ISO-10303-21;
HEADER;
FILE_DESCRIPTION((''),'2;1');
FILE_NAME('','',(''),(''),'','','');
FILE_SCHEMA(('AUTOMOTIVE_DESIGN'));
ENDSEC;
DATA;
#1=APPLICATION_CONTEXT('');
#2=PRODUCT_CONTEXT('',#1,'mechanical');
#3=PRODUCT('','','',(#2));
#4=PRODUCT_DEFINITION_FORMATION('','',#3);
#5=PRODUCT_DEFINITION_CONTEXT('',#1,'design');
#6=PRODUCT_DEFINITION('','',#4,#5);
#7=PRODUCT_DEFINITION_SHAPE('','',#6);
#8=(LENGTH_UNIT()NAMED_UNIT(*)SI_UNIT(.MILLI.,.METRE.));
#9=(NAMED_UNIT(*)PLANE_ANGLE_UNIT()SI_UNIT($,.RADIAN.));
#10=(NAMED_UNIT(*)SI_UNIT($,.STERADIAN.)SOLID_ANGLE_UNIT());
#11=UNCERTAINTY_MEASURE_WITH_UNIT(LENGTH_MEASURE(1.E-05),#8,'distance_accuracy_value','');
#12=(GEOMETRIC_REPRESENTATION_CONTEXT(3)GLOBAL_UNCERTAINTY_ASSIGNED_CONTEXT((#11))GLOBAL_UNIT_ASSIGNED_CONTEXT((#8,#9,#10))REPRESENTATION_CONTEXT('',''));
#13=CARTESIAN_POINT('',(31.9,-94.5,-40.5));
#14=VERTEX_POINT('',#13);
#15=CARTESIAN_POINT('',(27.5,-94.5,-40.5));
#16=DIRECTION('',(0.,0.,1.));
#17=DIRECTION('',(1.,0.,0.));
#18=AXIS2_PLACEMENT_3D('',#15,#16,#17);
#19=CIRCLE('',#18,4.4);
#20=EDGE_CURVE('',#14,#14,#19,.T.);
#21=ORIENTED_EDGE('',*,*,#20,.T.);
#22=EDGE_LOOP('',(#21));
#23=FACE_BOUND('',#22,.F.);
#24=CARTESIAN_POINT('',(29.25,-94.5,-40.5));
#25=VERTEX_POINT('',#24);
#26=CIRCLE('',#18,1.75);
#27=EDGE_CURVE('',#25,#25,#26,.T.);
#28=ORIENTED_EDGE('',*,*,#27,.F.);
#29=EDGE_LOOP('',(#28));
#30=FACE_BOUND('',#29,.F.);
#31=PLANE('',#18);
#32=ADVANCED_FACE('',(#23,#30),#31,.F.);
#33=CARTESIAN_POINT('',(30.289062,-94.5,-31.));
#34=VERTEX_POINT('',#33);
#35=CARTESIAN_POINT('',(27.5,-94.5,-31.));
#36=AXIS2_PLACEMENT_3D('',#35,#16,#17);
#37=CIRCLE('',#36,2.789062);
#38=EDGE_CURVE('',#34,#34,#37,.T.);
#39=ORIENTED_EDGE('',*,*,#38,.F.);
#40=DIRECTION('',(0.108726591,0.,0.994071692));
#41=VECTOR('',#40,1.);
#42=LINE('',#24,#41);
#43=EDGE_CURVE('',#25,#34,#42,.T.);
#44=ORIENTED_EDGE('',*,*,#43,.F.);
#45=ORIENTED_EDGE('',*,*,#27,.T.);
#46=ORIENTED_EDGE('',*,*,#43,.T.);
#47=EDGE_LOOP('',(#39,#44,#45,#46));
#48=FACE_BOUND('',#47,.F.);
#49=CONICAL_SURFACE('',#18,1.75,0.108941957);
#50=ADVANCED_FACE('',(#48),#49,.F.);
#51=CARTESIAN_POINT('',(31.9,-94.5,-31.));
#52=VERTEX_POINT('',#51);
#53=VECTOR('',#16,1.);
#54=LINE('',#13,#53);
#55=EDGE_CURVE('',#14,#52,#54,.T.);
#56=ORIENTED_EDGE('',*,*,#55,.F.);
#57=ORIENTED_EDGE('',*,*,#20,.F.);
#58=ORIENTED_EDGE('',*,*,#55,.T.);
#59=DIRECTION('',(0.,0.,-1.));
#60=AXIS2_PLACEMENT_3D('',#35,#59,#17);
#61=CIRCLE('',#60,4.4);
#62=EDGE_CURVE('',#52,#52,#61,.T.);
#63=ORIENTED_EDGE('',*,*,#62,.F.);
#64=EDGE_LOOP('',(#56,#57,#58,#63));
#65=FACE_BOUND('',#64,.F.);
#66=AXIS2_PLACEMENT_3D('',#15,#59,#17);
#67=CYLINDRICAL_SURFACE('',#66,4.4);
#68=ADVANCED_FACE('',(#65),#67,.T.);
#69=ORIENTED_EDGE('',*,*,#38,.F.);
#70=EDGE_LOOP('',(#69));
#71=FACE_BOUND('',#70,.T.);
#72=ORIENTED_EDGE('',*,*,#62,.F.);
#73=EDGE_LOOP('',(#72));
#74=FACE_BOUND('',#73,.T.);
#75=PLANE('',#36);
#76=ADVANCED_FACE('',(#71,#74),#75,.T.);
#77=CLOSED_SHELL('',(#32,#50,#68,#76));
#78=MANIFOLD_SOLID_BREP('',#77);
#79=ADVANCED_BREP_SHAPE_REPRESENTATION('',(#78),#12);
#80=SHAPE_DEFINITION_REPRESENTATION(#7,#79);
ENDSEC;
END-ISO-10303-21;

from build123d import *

# Parameters (mm, degrees)
BOX048_W          = 10
BOX048_H          = 10
BOX048_DEPTH      = 6.5
CYLINDER028_R     = 4.4
CYLINDER028_DEPTH = 16


with BuildPart() as cube010:
    # Box048 → Box048 (new body)
    with BuildSketch(Plane(origin=(22.5, -99.5, -31), x_dir=(1, 0, 0), z_dir=(0, 0, 1))):
        with Locations((5, 5)):
            Rectangle(BOX048_W, BOX048_H)
    extrude(amount=BOX048_DEPTH)


with BuildPart() as cone:
    # Cone → Cone (revolve)
    with BuildSketch(Plane(origin=(27.5, -94.5, 71), x_dir=(1, 0, 0), z_dir=(0, -1, 0))):
        Polygon((0, 0), (1.75, 0), (3.5, 16), (0, 16), align=None)
    revolve(axis=Axis((27.5, -94.5, 71), (0, 0, 1)))


with BuildPart() as cut007:
    # Cylinder028 → Cylinder028 (new body)
    with BuildSketch(Plane(origin=(27.5, -94.5, 71), x_dir=(1, 0, 0), z_dir=(0, 0, 1))):
        Circle(CYLINDER028_R)
    extrude(amount=CYLINDER028_DEPTH)

    # Cut006: cut Cone
    add(cone.part, mode=Mode.SUBTRACT)


with BuildPart() as cut007_1:
    # Cut006 placement: moved
    add(cut007.part.moved(Location((0, 0, -111.5))))

    # Cut007: cut Cube010
    add(cube010.part, mode=Mode.SUBTRACT)


solid = cut007_1.part
